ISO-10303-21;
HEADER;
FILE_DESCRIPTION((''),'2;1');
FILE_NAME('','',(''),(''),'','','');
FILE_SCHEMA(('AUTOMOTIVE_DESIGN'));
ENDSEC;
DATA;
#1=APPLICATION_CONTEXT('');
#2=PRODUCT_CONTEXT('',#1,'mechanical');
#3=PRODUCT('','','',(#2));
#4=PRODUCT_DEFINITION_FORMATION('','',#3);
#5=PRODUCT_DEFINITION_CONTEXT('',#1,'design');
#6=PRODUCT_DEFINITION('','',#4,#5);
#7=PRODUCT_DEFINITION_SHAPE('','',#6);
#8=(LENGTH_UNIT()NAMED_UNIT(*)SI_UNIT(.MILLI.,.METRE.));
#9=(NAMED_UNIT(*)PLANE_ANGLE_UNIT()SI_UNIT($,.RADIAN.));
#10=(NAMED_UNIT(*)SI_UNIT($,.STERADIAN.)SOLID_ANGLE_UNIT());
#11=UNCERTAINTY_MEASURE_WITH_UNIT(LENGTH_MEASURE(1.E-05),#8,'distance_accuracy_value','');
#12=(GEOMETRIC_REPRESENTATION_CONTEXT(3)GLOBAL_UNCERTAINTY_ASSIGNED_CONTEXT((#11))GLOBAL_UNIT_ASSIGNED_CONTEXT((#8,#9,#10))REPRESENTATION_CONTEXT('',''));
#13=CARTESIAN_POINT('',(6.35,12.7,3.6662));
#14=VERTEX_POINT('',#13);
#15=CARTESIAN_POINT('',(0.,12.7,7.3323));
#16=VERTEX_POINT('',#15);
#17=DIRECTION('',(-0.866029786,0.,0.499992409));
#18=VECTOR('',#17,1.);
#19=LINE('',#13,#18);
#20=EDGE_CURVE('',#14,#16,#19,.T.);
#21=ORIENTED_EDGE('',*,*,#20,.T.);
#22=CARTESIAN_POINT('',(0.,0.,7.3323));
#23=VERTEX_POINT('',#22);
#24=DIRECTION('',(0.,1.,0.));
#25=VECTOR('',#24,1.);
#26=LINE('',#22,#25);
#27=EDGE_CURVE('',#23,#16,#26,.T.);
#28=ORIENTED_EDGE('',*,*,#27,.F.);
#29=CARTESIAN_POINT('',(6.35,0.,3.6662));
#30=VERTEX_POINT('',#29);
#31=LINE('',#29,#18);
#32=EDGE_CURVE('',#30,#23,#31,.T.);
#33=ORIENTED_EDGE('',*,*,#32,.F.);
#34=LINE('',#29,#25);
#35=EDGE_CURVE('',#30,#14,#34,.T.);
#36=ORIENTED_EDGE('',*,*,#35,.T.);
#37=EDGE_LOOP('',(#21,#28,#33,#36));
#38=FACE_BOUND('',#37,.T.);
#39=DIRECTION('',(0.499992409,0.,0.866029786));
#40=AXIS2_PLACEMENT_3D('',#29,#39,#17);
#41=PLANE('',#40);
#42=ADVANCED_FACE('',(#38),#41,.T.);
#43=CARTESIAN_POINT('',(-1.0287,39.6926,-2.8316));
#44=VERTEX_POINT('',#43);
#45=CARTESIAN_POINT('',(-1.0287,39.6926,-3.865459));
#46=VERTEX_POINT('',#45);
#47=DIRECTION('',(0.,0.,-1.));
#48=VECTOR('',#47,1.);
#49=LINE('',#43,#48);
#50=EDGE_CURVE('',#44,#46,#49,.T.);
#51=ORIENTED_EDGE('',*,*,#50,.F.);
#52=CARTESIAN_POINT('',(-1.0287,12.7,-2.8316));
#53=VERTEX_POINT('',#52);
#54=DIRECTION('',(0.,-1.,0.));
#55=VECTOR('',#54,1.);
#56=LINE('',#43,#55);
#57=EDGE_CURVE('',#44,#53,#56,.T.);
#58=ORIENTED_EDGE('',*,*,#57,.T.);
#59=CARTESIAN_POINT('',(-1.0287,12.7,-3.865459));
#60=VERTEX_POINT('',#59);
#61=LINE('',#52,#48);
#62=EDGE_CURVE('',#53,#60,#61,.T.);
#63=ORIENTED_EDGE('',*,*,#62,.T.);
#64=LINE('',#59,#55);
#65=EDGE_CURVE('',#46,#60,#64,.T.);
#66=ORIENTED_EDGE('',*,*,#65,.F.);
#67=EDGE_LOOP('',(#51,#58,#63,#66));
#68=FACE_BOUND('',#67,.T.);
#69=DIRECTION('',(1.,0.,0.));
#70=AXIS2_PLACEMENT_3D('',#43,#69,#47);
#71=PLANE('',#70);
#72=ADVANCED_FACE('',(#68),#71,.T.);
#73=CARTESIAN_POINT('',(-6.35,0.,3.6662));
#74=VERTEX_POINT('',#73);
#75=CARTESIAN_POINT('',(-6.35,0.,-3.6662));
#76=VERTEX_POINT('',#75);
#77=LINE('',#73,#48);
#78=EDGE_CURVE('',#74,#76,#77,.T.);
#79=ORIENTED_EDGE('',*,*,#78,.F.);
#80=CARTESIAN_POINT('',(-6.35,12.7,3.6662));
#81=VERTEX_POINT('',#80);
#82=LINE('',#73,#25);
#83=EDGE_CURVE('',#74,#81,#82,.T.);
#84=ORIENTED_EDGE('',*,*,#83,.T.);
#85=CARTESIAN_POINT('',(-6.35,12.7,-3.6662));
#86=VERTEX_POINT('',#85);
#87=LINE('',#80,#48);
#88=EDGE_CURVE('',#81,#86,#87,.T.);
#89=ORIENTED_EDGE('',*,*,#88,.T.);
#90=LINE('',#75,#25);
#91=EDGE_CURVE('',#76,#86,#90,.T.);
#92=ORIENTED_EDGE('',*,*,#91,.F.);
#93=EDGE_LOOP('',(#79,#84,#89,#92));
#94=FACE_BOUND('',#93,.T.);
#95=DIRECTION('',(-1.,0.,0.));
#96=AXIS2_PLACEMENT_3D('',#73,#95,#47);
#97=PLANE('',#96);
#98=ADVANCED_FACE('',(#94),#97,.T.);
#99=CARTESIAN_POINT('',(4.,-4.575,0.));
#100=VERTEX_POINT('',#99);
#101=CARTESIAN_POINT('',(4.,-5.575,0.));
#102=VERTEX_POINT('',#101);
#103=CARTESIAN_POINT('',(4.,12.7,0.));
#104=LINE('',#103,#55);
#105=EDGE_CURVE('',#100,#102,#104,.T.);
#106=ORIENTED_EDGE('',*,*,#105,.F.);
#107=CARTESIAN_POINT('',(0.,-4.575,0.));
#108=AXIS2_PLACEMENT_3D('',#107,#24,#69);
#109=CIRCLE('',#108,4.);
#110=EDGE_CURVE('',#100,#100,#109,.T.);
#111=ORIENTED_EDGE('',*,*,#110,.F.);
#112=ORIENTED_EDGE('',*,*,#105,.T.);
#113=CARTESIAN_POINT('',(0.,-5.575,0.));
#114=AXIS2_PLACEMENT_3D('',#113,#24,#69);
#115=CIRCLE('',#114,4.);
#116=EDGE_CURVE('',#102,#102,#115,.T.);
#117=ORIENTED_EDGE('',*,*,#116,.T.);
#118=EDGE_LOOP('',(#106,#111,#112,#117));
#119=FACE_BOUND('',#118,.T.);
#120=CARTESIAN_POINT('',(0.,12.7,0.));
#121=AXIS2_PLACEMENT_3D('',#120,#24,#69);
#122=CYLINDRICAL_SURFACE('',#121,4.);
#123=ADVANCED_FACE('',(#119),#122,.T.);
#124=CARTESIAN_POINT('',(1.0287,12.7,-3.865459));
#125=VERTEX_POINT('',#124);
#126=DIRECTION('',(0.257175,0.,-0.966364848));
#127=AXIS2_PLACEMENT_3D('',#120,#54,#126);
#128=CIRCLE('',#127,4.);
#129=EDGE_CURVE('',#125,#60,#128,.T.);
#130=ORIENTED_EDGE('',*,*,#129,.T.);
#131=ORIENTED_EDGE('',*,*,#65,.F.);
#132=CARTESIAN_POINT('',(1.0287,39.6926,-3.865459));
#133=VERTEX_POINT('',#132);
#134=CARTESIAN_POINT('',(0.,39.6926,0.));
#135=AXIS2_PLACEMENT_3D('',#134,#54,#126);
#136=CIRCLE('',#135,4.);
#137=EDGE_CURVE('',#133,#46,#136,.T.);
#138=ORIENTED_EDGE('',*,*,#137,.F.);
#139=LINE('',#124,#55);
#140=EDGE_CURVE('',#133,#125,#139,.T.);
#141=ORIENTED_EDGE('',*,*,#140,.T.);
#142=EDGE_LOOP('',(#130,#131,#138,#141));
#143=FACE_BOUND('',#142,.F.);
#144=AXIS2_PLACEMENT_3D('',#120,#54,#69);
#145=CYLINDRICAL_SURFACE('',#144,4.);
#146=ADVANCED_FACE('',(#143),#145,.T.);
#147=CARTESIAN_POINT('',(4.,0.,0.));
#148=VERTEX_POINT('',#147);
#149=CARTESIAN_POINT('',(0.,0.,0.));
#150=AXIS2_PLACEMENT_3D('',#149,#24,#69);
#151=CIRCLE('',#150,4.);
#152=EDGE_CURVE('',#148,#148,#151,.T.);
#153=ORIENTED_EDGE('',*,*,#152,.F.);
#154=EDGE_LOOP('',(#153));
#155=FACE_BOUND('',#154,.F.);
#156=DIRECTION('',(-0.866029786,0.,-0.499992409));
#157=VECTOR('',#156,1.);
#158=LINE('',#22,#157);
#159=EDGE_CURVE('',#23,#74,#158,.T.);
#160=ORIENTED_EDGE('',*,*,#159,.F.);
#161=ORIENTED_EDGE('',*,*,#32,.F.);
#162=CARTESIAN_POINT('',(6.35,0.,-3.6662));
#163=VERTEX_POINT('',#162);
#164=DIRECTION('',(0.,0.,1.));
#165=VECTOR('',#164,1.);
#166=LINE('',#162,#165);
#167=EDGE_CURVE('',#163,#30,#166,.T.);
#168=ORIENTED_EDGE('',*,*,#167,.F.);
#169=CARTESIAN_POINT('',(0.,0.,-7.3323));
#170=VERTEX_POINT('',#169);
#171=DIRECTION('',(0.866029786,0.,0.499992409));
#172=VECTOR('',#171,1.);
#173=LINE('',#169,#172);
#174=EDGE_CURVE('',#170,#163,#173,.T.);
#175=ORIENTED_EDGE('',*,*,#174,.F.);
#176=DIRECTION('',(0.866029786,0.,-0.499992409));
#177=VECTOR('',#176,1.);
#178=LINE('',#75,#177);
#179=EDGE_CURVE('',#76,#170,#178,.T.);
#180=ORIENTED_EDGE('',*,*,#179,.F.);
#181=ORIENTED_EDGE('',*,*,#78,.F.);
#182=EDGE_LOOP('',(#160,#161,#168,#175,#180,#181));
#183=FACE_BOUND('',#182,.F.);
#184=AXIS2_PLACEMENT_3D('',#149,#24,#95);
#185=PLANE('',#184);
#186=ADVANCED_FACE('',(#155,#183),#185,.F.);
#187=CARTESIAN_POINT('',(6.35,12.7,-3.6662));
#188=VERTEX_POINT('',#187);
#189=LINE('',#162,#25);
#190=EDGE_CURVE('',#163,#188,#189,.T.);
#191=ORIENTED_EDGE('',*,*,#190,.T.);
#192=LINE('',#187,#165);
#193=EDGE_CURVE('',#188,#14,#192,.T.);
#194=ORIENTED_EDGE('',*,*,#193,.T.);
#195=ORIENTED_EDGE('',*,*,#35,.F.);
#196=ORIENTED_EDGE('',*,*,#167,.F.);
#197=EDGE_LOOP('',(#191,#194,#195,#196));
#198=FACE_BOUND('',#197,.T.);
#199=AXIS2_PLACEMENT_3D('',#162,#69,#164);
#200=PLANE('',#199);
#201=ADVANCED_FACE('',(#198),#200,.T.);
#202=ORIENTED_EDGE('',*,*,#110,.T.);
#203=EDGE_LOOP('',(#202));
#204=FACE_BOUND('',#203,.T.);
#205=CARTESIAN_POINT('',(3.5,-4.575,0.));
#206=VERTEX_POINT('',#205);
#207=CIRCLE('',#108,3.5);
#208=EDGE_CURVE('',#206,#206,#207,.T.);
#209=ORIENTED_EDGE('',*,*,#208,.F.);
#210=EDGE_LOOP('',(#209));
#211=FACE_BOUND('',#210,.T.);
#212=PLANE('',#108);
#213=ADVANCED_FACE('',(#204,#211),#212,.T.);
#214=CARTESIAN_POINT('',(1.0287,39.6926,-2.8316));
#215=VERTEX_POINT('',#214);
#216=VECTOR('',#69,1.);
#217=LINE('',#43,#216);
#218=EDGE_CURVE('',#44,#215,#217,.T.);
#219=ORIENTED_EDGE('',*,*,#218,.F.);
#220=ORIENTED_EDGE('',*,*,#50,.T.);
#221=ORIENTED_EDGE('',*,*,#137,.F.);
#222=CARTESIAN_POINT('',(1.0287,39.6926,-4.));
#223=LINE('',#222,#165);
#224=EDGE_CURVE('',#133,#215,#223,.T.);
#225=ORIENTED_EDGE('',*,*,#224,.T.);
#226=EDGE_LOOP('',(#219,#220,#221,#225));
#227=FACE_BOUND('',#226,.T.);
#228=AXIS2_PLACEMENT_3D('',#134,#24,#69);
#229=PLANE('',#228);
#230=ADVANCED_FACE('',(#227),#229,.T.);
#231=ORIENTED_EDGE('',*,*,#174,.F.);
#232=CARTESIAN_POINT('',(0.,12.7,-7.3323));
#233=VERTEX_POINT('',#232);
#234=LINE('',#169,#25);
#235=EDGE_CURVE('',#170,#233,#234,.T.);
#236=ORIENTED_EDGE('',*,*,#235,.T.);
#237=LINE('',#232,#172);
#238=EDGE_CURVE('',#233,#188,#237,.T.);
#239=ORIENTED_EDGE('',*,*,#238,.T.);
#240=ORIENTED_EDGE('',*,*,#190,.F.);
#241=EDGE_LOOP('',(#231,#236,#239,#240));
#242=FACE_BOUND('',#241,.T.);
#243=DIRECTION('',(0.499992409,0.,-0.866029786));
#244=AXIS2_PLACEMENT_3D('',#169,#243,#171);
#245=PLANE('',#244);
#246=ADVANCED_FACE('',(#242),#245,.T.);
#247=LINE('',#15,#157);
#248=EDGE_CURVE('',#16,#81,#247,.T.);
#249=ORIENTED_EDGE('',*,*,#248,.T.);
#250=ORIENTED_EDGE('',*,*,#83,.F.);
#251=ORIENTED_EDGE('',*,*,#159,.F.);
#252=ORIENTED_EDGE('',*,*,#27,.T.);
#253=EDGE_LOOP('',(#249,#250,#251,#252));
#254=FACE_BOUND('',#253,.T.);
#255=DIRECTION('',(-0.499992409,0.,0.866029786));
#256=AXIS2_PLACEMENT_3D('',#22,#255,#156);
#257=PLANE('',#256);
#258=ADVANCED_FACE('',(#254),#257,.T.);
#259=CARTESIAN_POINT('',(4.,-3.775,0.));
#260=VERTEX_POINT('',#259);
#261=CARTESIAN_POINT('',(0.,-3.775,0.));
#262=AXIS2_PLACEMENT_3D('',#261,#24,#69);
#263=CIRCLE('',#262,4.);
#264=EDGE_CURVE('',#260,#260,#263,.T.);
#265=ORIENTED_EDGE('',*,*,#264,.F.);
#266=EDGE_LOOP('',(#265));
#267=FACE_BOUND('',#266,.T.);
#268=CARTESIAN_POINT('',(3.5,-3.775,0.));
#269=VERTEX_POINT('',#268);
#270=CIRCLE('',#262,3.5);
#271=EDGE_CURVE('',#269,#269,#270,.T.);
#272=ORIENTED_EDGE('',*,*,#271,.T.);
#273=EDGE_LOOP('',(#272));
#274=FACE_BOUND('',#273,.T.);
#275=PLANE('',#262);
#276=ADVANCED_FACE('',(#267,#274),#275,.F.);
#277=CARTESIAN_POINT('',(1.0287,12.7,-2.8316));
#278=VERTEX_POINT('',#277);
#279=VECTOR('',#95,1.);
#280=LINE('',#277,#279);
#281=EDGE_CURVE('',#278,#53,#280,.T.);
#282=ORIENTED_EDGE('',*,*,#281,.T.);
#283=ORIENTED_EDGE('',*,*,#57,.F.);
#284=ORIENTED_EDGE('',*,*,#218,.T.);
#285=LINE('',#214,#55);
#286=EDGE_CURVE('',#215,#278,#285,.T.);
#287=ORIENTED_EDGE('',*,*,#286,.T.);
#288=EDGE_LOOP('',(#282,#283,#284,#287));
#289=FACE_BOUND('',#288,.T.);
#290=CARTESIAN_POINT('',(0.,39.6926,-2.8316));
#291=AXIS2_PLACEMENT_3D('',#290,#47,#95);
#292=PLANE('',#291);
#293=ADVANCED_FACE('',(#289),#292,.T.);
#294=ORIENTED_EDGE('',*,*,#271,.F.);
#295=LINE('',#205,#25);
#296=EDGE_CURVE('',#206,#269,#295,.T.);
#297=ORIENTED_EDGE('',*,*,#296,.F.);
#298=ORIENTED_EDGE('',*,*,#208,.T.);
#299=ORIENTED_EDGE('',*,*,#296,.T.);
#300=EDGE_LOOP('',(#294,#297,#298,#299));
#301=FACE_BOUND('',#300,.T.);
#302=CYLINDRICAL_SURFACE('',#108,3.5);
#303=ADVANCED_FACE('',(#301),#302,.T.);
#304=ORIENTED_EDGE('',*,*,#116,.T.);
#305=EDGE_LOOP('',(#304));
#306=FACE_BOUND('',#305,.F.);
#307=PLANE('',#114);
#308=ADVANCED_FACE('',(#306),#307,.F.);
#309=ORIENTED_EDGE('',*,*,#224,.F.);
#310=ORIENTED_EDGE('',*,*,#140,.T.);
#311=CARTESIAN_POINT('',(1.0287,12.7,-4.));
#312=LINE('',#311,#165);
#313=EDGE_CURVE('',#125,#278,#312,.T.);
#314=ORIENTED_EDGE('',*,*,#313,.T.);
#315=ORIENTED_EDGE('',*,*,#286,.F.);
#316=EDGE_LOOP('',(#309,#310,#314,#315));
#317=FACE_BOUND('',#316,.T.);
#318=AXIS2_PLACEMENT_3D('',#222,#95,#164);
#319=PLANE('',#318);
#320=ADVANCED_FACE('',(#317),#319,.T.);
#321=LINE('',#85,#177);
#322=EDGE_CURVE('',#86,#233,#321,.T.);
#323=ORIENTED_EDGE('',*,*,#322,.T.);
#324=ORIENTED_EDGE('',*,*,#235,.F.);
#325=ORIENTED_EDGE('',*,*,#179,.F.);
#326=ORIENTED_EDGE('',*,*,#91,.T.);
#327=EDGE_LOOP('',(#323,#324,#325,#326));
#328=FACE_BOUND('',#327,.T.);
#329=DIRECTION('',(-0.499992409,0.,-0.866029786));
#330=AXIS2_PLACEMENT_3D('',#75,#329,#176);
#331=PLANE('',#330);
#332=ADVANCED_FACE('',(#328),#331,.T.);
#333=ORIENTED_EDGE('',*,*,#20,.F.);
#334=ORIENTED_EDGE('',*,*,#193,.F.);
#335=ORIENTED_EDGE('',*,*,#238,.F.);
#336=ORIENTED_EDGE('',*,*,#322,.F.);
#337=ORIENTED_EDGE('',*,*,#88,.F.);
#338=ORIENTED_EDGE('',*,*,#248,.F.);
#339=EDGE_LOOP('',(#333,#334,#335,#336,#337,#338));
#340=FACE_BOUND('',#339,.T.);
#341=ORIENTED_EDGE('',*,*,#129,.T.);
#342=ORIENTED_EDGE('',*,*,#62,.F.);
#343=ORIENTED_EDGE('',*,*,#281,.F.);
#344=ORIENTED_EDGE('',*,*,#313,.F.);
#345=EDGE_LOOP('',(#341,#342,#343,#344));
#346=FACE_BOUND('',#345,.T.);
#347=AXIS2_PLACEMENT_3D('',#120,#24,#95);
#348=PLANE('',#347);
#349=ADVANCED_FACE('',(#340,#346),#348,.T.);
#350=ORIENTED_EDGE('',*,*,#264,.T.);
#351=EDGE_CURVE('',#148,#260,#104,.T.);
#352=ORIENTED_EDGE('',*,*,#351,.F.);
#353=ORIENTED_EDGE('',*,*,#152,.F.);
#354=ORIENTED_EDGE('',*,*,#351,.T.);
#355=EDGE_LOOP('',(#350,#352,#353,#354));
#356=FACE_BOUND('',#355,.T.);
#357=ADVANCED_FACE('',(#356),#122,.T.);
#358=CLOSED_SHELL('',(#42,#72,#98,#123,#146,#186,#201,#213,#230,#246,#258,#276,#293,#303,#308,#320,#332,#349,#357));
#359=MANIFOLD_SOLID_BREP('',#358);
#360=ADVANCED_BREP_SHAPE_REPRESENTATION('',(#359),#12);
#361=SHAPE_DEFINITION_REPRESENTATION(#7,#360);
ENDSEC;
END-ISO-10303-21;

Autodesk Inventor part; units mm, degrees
ref_plane "YZ Plane" through (0, 0, 0) normal (1, 0, 0) x (0, 1, 0)
ref_plane "XZ Plane" through (0, 0, 0) normal (0, 1, 0) x (-1, 0, 0)
ref_plane "XY Plane" through (0, 0, 0) normal (0, 0, 1) x (1, 0, 0)
sketch "Sketch1" plane through (0, 0, 0) normal (0, 1, 0) x (-1, 0, 0)
  line L0 (0, -7.3323) -> (-6.35, -3.6662)
  line L1 (-6.35, -3.6662) -> (-6.35, 3.6662)
  line L2 (-6.35, 3.6662) -> (0, 7.3323)
  line L3 (0, 7.3323) -> (6.35, 3.6662)
  line L4 (6.35, 3.6662) -> (6.35, -3.6662)
  line L5 (6.35, -3.6662) -> (0, -7.3323)
  point P0 (0, 0)
  point P1 (0, 0)
  dimension "d0" = 12.7
extrude "Extrusion1" add sketch "Sketch1" along normal blind 12.7
sketch "Sketch2" plane through (0, 12.7, 0) normal (0, 1, 0) x (1, 0, 0)
  circle A0 centre (0, 0) radius 4
  dimension "d3" = 8
extrude "Extrusion2" add sketch "Sketch2" along normal blind 26.9926 and the other way blind 18.275
sketch "Sketch3" plane through (0, 39.6926, 0) normal (0, 1, 0) x (1, 0, 0)
  line L0 (-1.0287, 4) -> (1.0287, 4)
  line L1 (1.0287, 4) -> (1.0287, 2.8316)
  line L2 (1.0287, 2.8316) -> (-1.0287, 2.8316)
  line L3 (-1.0287, 2.8316) -> (-1.0287, 4)
  line L4 (0, 0) -> (0, 9.4373)
  circle A0 centre (0, 0) radius 4 construction
  circle A1 centre (0, 0) radius 4 construction
  dimension "d6" = 2.0574
  dimension "d8" = 1.1684
extrude "Extrusion3" cut sketch "Sketch3" against normal up to surface (26.9926 mm away)
sketch "Sketch4" plane through (0, 0, 0) normal (0, 0, 1) x (1, 0, 0)
  line L0 (4, -5.575) -> (4, 0) projected
  line L1 (4, -4.575) -> (3.5, -4.575)
  line L2 (3.5, -4.575) -> (3.5, -3.775)
  line L3 (3.5, -3.775) -> (4, -3.775)
  line L4 (4, -3.775) -> (4, -4.575)
  line L5 (0, -5.575) -> (0, 6.0324)
  line L6 (-4, -5.575) -> (4, -5.575) projected
  point P0 (0, 0)
  point P1 (4, -3.775)
  dimension "d13" = 0.8
  dimension "d14" = 7
  dimension "d16" = 1
revolve "Revolution1" cut sketch "Sketch4" angle 360 about axis through (0, -5.575, 0) along (0, 1, 0)
properties part number "Gear Shaft connector" material "Steel"
